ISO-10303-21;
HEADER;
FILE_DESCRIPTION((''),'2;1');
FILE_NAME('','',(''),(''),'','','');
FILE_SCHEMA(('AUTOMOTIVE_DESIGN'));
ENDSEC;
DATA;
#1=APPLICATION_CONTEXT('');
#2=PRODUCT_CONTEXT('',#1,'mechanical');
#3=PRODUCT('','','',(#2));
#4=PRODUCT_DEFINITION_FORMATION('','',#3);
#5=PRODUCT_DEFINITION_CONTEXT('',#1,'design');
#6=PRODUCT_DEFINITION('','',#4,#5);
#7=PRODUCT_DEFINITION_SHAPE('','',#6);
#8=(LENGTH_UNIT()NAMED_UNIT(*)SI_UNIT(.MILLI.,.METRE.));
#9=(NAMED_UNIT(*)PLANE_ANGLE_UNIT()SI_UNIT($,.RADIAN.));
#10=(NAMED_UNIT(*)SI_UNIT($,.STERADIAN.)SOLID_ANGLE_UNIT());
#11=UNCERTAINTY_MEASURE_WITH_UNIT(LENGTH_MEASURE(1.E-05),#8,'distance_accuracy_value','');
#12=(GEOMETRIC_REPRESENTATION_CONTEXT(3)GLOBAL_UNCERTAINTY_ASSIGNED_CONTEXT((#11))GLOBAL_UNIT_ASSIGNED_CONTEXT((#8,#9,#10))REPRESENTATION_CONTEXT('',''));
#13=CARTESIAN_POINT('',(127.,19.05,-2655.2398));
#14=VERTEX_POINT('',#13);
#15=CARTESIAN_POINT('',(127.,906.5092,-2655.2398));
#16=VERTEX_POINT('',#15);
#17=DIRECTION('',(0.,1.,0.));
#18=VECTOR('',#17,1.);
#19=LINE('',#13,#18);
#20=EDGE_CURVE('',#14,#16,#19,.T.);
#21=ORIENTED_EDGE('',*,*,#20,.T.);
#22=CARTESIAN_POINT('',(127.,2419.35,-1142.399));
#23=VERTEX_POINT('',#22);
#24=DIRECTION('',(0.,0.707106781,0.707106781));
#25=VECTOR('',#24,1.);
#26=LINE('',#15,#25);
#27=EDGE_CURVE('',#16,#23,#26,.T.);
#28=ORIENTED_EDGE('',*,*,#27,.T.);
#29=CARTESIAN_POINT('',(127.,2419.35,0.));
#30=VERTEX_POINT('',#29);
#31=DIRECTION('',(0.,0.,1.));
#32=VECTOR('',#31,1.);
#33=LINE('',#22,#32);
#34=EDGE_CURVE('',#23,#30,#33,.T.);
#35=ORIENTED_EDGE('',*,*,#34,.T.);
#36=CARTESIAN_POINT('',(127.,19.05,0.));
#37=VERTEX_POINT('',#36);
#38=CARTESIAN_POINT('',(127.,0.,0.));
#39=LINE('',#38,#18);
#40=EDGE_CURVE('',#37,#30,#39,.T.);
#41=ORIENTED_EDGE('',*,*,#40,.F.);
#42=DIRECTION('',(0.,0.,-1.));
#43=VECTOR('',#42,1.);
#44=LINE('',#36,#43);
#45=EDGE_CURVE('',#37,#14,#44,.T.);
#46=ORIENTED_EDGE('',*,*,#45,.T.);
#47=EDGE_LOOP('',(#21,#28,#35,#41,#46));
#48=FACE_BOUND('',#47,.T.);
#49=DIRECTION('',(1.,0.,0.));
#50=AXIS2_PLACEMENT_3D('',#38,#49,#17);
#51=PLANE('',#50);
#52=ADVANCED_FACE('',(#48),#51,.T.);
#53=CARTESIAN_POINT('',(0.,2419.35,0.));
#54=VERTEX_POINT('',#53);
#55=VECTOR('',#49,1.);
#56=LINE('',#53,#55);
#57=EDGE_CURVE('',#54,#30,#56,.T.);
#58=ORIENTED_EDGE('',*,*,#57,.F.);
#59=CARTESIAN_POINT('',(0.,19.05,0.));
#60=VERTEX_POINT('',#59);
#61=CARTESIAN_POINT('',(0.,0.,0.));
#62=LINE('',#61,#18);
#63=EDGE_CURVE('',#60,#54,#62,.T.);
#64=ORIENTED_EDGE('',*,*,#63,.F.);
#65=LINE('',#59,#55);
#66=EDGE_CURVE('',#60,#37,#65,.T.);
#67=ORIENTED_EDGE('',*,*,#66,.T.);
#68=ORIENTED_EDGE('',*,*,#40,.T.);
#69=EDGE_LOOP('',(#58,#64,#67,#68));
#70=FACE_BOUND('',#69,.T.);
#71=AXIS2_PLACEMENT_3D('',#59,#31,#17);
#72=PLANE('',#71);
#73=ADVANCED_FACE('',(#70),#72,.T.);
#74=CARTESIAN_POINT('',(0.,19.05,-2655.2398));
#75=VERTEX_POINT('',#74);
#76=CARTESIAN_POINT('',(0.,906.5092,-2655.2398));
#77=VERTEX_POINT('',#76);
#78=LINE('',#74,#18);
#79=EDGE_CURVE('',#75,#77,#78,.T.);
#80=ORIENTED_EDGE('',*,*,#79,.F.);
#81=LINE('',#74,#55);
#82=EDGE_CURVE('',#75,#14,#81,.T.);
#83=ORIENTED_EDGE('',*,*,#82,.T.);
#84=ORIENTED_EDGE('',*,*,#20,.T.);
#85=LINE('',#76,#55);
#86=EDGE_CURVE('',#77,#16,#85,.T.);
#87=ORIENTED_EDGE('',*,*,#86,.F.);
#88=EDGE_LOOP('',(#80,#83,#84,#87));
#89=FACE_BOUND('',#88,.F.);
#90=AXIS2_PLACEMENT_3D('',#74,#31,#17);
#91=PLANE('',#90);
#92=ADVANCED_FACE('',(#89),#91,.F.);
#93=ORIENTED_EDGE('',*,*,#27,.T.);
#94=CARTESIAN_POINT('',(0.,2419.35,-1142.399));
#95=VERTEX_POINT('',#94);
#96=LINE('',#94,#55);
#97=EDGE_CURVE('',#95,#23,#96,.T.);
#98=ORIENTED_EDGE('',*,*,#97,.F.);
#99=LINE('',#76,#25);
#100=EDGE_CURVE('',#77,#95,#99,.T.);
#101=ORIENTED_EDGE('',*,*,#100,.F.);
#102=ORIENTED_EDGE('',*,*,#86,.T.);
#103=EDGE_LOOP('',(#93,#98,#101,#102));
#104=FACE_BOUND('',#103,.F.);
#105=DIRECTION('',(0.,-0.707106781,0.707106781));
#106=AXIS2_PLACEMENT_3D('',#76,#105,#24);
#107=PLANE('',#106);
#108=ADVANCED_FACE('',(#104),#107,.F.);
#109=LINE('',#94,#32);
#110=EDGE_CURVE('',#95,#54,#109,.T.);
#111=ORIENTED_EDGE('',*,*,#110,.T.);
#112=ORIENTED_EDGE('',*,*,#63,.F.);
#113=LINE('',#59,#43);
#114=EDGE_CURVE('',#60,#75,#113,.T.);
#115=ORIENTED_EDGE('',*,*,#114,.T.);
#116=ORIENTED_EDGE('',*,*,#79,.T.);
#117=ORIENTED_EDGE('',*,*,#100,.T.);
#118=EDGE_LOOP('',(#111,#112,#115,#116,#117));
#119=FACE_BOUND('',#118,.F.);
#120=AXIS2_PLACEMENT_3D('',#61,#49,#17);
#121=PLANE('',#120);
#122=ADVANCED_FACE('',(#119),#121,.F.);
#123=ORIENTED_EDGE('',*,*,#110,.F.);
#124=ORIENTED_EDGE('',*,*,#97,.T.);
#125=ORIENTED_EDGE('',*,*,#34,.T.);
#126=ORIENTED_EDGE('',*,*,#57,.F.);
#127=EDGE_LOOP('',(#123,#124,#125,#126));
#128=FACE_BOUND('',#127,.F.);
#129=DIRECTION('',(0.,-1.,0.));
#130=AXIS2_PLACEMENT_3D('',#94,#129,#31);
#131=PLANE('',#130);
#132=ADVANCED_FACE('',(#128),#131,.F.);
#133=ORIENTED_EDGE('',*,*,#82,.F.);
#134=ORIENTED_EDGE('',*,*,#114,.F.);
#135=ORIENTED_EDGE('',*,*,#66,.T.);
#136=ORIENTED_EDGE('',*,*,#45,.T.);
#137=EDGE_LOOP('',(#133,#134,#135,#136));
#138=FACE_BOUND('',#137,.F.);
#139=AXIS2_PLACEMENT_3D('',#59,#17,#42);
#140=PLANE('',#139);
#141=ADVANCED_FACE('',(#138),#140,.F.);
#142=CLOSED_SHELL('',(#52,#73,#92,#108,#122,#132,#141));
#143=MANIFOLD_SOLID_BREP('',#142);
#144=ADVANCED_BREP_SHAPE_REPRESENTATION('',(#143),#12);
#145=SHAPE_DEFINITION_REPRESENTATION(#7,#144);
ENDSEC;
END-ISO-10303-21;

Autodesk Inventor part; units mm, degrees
ref_plane "YZ Plane" through (0, 0, 0) normal (1, 0, 0) x (0, 1, 0)
ref_plane "XZ Plane" through (0, 0, 0) normal (0, 1, 0) x (-1, 0, 0)
ref_plane "XY Plane" through (0, 0, 0) normal (0, 0, 1) x (1, 0, 0)
sketch "Sketch1" plane through (0, 0, 0) normal (1, 0, 0) x (0, 1, 0)
  line L0 (0, 0) -> (2438.4, 0)
  line L1 (2438.4, 0) -> (2438.4, -1150.2898)
  line L2 (2438.4, -1150.2898) -> (914.4, -2674.2898)
  line L3 (914.4, -2674.2898) -> (0, -2674.2898)
  line L4 (0, -2674.2898) -> (0, 0)
  line L5 (2419.35, -1142.399) -> (2419.35, 0)
  line L6 (19.05, 0) -> (19.05, -2655.2398)
  line L7 (19.05, -2655.2398) -> (906.5092, -2655.2398)
  line L8 (906.5092, -2655.2398) -> (2419.35, -1142.399)
  dimension "d0" = 2674.2898
  dimension "d1" = 2438.4
  dimension "d2" = 914.4
  dimension "d3" = 135
  dimension "d6" = 19.05
  dimension "d7" = 19.05
  dimension "d8" = 19.05
extrude "Extrusion1" add sketch "Sketch1" along normal blind 127 contours L0 L5 L8 L7 L6
properties part number "Wall_Between_Attic_Room_And_Stairwell" material "Wood (Southern Pine)"
